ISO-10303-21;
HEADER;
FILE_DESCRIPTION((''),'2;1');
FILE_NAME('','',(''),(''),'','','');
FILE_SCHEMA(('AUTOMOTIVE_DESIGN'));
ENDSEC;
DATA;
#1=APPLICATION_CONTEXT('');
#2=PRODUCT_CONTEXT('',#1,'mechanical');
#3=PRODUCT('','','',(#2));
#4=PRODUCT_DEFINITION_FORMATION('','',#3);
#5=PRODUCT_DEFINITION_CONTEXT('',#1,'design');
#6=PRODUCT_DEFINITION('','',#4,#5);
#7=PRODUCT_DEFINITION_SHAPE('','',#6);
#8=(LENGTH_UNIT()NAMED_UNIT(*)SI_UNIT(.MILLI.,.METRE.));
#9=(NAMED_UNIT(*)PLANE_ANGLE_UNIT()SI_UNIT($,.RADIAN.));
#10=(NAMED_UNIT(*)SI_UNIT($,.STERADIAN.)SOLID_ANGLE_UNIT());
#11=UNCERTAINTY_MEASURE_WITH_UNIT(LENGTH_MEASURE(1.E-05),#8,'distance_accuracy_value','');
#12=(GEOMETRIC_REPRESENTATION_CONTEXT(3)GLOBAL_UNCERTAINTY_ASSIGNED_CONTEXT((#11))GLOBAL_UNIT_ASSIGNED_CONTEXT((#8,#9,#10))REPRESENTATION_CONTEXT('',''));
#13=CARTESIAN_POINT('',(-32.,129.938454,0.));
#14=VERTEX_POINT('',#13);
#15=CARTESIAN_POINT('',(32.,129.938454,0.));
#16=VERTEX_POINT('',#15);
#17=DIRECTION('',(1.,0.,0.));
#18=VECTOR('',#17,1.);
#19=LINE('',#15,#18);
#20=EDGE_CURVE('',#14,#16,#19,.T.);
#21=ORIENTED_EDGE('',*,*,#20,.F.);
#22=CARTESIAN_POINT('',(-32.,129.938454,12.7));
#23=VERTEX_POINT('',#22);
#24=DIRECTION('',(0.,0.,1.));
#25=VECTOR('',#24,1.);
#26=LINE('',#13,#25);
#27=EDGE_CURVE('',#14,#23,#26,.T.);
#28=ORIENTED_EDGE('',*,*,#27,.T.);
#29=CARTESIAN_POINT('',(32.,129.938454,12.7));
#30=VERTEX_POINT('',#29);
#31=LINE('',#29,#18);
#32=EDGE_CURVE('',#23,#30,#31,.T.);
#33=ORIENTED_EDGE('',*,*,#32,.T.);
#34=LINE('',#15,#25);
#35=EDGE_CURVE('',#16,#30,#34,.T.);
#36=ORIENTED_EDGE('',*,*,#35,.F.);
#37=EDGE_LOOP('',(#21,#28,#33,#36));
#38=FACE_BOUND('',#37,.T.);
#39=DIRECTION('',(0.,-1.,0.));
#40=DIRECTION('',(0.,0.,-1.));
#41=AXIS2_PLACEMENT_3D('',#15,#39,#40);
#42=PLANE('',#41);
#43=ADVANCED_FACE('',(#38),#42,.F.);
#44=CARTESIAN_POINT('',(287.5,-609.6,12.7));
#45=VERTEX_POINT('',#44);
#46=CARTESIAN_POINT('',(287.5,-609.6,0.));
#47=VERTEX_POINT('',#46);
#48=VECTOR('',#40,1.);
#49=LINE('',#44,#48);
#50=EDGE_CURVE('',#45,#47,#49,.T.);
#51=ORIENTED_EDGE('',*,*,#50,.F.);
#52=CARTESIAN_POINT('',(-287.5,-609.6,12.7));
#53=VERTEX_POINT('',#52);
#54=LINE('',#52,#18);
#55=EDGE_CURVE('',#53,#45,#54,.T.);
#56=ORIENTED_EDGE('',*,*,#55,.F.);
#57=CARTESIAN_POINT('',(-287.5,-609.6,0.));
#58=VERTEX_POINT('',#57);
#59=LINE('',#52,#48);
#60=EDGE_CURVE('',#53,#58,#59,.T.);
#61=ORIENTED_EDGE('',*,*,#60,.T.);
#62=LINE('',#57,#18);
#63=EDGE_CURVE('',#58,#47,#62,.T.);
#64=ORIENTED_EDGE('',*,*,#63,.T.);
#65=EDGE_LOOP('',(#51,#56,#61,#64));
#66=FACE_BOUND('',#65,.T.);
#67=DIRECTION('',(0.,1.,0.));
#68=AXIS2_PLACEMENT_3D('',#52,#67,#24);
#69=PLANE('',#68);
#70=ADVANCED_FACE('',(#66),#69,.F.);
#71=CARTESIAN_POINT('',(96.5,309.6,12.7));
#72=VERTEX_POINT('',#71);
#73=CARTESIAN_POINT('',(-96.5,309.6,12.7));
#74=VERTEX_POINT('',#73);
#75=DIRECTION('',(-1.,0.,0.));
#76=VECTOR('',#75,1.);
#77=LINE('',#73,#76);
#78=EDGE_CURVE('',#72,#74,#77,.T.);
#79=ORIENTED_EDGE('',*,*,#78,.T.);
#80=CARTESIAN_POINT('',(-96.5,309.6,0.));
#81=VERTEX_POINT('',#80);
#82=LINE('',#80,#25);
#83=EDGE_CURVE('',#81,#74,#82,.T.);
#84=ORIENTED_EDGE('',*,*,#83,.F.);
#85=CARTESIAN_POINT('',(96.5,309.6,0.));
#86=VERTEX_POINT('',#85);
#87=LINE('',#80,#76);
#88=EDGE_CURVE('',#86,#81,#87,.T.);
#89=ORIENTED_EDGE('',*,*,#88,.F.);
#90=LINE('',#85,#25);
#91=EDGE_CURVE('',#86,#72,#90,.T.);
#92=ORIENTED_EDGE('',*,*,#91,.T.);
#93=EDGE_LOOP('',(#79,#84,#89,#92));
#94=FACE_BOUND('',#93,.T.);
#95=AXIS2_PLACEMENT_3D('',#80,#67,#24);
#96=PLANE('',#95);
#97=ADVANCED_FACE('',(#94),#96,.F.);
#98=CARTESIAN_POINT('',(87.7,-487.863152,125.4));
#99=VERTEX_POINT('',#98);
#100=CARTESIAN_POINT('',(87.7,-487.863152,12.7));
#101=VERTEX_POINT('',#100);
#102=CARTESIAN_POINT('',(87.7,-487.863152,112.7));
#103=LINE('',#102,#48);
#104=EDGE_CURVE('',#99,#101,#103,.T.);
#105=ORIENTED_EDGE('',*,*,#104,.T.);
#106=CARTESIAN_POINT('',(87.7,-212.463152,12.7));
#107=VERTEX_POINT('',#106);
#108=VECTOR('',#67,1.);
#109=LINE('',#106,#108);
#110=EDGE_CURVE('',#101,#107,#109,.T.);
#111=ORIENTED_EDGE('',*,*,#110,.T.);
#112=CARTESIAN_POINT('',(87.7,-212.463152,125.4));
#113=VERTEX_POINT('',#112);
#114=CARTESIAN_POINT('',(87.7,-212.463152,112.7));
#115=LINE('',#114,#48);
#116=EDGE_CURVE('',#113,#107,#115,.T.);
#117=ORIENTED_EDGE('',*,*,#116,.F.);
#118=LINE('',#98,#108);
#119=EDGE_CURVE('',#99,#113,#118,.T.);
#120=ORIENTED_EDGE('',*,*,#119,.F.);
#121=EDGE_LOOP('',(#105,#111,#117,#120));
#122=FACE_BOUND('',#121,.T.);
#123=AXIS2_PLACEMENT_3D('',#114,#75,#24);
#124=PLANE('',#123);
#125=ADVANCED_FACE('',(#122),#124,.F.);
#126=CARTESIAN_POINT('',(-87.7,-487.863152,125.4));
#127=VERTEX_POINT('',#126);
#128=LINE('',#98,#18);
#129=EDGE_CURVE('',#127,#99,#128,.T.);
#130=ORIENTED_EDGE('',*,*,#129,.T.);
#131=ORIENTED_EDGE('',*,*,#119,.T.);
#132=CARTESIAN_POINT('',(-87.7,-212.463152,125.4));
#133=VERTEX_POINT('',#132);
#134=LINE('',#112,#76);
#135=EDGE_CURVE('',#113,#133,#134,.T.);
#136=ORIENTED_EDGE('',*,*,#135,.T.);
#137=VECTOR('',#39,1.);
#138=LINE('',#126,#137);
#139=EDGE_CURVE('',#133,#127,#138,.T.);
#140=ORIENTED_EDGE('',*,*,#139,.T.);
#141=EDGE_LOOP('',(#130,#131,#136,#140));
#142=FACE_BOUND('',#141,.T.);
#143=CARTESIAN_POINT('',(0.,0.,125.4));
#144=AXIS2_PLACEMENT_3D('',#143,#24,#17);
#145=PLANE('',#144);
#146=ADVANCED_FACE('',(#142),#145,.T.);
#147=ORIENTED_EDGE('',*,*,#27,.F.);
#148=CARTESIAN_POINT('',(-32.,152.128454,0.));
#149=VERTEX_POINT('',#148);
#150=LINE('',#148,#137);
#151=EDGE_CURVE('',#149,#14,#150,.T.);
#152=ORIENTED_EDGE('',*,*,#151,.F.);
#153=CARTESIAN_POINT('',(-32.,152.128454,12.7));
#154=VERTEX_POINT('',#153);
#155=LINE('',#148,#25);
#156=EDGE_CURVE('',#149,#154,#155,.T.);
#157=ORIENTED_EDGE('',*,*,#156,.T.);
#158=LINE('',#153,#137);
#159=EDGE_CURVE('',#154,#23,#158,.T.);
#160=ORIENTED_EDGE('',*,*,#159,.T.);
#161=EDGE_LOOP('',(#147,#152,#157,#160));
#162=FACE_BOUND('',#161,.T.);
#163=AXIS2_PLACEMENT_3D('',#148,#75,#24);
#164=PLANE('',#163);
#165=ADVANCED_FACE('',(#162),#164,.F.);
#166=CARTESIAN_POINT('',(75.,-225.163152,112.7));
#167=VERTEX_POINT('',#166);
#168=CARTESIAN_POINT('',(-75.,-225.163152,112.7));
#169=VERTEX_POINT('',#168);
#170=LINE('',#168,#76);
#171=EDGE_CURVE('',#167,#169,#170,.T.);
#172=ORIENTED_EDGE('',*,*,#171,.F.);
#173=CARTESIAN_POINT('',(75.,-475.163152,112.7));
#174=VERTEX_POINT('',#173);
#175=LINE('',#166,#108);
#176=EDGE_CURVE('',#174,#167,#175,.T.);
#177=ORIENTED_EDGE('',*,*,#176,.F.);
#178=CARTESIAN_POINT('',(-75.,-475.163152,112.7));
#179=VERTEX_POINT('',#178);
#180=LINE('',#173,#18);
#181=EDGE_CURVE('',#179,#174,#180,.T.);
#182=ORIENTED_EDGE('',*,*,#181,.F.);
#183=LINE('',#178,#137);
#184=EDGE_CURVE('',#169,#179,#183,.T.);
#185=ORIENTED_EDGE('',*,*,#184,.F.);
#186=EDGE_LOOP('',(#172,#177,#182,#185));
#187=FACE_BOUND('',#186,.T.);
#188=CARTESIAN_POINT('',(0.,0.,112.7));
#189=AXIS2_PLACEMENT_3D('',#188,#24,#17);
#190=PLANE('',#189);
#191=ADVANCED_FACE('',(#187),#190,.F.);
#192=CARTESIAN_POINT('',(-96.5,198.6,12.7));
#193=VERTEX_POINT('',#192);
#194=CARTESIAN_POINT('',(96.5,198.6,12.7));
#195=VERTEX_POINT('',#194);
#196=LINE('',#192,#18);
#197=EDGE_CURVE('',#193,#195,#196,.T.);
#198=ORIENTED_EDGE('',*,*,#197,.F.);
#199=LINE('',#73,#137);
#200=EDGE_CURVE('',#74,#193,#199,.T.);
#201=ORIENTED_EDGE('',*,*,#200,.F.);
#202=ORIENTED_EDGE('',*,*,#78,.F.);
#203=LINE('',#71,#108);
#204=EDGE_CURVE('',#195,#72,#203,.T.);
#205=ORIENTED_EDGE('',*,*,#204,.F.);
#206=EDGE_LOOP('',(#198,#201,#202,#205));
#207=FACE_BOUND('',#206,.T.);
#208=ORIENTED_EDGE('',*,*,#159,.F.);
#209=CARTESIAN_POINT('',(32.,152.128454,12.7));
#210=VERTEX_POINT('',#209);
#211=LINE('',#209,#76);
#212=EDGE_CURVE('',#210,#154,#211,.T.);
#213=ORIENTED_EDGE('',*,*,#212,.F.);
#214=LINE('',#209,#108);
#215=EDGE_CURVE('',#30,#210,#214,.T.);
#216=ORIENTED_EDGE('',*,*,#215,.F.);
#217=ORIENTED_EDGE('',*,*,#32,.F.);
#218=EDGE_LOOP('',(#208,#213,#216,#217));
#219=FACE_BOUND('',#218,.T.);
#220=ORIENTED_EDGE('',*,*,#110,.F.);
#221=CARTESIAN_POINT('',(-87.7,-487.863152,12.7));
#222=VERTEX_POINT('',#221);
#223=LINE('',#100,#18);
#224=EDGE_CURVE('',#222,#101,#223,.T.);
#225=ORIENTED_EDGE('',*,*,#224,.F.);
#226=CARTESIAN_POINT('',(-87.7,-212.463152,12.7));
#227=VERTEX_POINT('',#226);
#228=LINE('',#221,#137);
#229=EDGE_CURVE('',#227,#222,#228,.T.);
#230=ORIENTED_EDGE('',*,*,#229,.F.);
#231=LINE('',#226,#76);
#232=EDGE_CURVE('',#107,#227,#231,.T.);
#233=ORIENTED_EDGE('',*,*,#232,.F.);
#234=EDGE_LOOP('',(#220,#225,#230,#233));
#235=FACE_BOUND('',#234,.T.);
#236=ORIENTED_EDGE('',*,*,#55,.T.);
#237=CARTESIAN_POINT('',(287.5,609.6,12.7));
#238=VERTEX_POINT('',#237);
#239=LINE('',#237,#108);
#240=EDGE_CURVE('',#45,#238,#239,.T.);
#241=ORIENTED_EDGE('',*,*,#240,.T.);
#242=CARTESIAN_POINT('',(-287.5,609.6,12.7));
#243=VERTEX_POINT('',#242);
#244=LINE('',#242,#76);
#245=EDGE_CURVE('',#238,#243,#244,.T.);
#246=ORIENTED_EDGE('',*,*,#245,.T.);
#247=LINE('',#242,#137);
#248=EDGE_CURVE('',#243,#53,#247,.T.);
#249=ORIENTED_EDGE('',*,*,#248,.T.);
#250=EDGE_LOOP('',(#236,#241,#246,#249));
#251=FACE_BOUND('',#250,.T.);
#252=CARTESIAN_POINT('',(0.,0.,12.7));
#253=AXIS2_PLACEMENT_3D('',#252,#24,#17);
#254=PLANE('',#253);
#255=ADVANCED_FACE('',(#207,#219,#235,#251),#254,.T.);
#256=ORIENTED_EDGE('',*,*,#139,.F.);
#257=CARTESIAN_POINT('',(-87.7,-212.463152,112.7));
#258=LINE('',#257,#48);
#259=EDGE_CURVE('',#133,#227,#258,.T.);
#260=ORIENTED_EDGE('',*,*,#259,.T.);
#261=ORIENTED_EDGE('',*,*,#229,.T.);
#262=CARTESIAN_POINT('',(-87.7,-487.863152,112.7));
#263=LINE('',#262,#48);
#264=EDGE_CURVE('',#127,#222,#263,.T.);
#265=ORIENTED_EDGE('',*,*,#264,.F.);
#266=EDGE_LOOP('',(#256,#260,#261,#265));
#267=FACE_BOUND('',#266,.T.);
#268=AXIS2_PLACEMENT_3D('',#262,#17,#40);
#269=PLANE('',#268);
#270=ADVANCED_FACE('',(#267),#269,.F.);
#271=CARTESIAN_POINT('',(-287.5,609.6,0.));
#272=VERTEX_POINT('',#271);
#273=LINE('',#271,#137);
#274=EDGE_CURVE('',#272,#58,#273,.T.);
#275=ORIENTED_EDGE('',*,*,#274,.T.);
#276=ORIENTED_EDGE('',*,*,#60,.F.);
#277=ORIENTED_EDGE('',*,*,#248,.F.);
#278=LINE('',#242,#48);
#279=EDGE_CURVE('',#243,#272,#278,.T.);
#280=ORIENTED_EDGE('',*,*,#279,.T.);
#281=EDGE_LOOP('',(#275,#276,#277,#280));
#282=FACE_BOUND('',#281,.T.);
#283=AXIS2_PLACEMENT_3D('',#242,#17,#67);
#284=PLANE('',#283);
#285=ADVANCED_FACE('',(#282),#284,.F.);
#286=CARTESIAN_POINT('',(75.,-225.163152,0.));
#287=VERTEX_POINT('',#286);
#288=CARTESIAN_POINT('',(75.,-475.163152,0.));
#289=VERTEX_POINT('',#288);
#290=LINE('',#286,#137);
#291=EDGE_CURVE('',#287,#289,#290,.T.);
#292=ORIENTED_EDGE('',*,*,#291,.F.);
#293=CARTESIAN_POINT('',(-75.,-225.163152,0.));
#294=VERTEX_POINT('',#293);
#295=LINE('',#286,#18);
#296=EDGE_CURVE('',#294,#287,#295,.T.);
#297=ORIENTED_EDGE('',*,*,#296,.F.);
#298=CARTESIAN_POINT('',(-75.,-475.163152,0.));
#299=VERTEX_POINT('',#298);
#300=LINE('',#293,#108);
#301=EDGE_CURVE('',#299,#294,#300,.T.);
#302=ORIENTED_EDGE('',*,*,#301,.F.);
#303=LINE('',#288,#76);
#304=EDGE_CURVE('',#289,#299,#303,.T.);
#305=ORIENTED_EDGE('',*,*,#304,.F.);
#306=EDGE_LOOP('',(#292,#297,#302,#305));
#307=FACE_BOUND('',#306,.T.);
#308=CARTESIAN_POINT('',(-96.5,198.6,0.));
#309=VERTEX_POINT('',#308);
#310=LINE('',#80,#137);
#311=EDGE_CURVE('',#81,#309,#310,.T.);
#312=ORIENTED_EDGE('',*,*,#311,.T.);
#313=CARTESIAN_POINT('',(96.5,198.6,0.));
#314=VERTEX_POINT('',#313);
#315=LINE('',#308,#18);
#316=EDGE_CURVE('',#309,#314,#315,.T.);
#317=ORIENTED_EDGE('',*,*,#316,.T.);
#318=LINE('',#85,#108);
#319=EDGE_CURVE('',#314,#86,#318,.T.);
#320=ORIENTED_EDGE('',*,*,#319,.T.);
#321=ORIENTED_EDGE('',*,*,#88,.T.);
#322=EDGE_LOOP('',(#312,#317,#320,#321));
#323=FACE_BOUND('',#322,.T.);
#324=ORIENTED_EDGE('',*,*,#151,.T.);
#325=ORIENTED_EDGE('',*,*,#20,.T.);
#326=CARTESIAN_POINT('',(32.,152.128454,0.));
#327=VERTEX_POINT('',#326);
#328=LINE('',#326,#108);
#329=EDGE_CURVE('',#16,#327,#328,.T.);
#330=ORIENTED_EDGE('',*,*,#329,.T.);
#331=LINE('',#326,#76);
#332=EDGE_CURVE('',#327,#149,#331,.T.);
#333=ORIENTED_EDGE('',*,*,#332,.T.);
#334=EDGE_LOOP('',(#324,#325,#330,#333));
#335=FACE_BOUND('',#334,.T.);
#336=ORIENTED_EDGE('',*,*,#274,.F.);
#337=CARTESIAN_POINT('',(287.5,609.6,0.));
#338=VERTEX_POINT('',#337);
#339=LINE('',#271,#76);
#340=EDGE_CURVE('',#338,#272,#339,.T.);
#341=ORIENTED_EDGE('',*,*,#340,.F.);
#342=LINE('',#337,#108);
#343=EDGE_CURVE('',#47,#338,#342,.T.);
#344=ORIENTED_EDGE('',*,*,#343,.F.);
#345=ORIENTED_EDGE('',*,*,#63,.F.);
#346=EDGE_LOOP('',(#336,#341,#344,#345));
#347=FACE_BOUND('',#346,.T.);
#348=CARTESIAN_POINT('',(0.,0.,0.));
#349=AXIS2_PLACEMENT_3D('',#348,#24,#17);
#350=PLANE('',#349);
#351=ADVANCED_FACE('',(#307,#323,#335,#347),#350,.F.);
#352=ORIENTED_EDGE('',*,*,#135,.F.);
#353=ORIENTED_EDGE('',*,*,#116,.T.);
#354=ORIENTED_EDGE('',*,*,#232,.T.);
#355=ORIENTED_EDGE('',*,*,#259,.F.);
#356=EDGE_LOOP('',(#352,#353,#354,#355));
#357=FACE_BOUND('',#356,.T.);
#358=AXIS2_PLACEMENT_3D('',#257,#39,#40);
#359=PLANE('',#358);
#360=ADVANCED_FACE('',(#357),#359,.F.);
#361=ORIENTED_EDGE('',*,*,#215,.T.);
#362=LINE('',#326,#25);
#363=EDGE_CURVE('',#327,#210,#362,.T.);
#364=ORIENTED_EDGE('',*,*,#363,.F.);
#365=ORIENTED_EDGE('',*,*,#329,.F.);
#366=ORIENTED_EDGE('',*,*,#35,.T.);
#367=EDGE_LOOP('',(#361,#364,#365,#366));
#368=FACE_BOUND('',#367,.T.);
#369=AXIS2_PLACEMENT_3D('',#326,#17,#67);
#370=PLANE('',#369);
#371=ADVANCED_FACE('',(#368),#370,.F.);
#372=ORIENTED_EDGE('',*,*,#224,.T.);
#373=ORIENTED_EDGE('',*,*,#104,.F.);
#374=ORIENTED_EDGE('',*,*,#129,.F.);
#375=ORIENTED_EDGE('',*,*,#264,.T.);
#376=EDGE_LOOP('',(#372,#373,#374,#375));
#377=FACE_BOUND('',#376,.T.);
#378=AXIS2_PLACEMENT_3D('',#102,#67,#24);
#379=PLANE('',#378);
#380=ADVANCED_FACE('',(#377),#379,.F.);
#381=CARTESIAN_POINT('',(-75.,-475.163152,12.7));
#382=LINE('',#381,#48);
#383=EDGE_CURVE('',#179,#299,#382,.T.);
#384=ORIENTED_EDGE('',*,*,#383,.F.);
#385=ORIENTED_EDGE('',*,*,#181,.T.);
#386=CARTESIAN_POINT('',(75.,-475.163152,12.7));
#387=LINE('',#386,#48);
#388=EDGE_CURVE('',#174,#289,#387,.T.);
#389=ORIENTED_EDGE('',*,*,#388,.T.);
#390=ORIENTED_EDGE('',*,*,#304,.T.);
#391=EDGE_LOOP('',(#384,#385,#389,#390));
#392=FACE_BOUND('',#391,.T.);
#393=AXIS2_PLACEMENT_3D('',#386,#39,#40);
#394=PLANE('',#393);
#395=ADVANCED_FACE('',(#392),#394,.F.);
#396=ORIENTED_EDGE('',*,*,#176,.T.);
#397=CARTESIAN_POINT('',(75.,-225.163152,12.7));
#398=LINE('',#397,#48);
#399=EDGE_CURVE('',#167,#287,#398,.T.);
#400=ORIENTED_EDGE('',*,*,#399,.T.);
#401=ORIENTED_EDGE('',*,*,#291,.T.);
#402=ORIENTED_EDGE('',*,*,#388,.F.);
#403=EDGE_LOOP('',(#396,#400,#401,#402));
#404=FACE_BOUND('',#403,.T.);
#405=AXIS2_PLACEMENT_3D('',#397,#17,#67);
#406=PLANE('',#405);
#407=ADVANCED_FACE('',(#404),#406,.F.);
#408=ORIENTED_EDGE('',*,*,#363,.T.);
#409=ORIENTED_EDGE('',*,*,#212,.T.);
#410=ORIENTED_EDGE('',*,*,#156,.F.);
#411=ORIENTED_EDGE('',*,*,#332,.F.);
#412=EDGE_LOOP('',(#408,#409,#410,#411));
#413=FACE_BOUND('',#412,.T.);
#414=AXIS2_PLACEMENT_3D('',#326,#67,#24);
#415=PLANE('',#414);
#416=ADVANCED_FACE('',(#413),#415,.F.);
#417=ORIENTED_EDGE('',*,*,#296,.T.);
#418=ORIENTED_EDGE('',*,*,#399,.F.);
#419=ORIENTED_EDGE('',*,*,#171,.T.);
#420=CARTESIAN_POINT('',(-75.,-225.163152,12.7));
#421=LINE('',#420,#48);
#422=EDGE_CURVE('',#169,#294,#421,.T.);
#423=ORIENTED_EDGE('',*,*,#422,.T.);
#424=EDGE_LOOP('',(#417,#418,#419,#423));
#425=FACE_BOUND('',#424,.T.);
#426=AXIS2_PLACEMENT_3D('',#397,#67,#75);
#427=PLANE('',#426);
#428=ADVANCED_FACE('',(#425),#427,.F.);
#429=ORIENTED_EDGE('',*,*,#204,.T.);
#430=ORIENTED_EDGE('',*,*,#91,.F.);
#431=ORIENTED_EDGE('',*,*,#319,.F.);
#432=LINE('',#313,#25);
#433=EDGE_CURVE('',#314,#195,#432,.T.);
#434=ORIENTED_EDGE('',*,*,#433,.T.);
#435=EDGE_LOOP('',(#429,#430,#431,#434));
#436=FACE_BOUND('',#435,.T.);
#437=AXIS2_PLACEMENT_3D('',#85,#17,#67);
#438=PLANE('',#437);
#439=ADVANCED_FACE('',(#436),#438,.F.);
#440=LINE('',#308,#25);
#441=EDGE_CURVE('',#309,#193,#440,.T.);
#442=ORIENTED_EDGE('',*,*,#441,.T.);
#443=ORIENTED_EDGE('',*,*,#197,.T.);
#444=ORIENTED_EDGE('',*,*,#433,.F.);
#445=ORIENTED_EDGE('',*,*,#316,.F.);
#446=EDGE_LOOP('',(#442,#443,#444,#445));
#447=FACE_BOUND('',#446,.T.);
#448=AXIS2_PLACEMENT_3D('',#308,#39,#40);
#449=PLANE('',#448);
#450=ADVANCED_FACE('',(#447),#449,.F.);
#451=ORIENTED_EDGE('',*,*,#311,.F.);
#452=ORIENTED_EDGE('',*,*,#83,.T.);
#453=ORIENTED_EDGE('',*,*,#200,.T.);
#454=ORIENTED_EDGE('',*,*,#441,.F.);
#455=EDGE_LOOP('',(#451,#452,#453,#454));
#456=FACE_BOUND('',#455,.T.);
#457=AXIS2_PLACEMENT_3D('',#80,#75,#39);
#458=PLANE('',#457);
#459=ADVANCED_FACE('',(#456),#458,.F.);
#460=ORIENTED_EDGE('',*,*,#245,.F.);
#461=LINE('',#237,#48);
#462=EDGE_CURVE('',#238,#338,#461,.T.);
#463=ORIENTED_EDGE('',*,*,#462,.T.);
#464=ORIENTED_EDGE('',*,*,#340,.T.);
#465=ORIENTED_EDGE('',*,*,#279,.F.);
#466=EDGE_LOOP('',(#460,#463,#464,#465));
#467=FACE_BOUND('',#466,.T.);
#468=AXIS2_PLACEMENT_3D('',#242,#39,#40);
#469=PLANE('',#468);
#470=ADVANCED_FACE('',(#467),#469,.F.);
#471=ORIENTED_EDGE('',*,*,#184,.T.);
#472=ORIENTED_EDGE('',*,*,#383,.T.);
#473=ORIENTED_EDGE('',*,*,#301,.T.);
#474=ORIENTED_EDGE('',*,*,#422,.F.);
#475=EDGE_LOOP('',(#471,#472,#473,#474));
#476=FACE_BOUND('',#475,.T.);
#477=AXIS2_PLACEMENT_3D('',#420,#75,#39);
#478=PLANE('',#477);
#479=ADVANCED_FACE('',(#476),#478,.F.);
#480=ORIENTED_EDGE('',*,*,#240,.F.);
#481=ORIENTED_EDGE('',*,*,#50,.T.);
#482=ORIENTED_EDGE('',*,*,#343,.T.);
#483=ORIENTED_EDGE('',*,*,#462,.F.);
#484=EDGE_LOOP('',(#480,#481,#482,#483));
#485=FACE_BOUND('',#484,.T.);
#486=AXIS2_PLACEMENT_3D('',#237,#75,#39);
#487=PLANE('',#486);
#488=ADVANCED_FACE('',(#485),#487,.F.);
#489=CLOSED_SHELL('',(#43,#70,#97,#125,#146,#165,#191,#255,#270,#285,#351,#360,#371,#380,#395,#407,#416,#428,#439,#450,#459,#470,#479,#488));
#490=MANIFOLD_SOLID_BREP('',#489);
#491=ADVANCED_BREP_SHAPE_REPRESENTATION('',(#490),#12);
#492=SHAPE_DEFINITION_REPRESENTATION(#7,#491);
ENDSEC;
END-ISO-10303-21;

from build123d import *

# Parameters (mm, degrees)
SKETCH1_W           = 575
SKETCH1_H           = 1219.2
BOSS_EXTRUDE1_DEPTH = 12.7
SKETCH2_W           = 193
SKETCH2_H           = 111
SKETCH2_W_2         = 64
SKETCH2_H_2         = 22.19
CUT_EXTRUDE1_DEPTH  = 12.7
SKETCH3_W           = 150
SKETCH3_H           = 250
CUT_EXTRUDE2_DEPTH  = 12.7
SKETCH4_W           = 175.4
SKETCH4_H           = 275.4
SKETCH4_W_2         = 150
SKETCH4_H_2         = 250
BOSS_EXTRUDE2_DEPTH = 100
SKETCH5_W           = 175.4
SKETCH5_H           = 275.4
BOSS_EXTRUDE3_DEPTH = 12.7


with BuildPart() as part:
    # Sketch1 → Boss-Extrude1 (new body)
    with BuildSketch(Plane.XY):
        Rectangle(SKETCH1_W, SKETCH1_H)
    extrude(amount=BOSS_EXTRUDE1_DEPTH)

    # Sketch2 → Cut-Extrude1 (cut)
    with BuildSketch(Plane.XY.offset(12.7)):
        with Locations((0, 254.1)):
            Rectangle(SKETCH2_W, SKETCH2_H)
        with Locations((0, 141.033454098)):
            Rectangle(SKETCH2_W_2, SKETCH2_H_2)
    extrude(amount=-CUT_EXTRUDE1_DEPTH, mode=Mode.SUBTRACT)

    # Sketch3 → Cut-Extrude2 (cut)
    with BuildSketch(Plane(origin=(0, 0, 0), x_dir=(-1, 0, 0), z_dir=(0, 0, -1))):
        with Locations((0, -350.163151911)):
            Rectangle(SKETCH3_W, SKETCH3_H)
    extrude(amount=-CUT_EXTRUDE2_DEPTH, mode=Mode.SUBTRACT)

    # Sketch4 → Boss-Extrude2 (add)
    with BuildSketch(Plane.XY.offset(12.7)):
        with Locations((0, -350.163151911)):
            Rectangle(SKETCH4_W, SKETCH4_H)
        with Locations((0, -350.163151911)):
            Rectangle(SKETCH4_W_2, SKETCH4_H_2, mode=Mode.SUBTRACT)
    extrude(amount=BOSS_EXTRUDE2_DEPTH)

    # Sketch5 → Boss-Extrude3 (add)
    with BuildSketch(Plane.XY.offset(112.7)):
        with Locations((0, -350.163151911)):
            Rectangle(SKETCH5_W, SKETCH5_H)
    extrude(amount=BOSS_EXTRUDE3_DEPTH)


solid = part.part
